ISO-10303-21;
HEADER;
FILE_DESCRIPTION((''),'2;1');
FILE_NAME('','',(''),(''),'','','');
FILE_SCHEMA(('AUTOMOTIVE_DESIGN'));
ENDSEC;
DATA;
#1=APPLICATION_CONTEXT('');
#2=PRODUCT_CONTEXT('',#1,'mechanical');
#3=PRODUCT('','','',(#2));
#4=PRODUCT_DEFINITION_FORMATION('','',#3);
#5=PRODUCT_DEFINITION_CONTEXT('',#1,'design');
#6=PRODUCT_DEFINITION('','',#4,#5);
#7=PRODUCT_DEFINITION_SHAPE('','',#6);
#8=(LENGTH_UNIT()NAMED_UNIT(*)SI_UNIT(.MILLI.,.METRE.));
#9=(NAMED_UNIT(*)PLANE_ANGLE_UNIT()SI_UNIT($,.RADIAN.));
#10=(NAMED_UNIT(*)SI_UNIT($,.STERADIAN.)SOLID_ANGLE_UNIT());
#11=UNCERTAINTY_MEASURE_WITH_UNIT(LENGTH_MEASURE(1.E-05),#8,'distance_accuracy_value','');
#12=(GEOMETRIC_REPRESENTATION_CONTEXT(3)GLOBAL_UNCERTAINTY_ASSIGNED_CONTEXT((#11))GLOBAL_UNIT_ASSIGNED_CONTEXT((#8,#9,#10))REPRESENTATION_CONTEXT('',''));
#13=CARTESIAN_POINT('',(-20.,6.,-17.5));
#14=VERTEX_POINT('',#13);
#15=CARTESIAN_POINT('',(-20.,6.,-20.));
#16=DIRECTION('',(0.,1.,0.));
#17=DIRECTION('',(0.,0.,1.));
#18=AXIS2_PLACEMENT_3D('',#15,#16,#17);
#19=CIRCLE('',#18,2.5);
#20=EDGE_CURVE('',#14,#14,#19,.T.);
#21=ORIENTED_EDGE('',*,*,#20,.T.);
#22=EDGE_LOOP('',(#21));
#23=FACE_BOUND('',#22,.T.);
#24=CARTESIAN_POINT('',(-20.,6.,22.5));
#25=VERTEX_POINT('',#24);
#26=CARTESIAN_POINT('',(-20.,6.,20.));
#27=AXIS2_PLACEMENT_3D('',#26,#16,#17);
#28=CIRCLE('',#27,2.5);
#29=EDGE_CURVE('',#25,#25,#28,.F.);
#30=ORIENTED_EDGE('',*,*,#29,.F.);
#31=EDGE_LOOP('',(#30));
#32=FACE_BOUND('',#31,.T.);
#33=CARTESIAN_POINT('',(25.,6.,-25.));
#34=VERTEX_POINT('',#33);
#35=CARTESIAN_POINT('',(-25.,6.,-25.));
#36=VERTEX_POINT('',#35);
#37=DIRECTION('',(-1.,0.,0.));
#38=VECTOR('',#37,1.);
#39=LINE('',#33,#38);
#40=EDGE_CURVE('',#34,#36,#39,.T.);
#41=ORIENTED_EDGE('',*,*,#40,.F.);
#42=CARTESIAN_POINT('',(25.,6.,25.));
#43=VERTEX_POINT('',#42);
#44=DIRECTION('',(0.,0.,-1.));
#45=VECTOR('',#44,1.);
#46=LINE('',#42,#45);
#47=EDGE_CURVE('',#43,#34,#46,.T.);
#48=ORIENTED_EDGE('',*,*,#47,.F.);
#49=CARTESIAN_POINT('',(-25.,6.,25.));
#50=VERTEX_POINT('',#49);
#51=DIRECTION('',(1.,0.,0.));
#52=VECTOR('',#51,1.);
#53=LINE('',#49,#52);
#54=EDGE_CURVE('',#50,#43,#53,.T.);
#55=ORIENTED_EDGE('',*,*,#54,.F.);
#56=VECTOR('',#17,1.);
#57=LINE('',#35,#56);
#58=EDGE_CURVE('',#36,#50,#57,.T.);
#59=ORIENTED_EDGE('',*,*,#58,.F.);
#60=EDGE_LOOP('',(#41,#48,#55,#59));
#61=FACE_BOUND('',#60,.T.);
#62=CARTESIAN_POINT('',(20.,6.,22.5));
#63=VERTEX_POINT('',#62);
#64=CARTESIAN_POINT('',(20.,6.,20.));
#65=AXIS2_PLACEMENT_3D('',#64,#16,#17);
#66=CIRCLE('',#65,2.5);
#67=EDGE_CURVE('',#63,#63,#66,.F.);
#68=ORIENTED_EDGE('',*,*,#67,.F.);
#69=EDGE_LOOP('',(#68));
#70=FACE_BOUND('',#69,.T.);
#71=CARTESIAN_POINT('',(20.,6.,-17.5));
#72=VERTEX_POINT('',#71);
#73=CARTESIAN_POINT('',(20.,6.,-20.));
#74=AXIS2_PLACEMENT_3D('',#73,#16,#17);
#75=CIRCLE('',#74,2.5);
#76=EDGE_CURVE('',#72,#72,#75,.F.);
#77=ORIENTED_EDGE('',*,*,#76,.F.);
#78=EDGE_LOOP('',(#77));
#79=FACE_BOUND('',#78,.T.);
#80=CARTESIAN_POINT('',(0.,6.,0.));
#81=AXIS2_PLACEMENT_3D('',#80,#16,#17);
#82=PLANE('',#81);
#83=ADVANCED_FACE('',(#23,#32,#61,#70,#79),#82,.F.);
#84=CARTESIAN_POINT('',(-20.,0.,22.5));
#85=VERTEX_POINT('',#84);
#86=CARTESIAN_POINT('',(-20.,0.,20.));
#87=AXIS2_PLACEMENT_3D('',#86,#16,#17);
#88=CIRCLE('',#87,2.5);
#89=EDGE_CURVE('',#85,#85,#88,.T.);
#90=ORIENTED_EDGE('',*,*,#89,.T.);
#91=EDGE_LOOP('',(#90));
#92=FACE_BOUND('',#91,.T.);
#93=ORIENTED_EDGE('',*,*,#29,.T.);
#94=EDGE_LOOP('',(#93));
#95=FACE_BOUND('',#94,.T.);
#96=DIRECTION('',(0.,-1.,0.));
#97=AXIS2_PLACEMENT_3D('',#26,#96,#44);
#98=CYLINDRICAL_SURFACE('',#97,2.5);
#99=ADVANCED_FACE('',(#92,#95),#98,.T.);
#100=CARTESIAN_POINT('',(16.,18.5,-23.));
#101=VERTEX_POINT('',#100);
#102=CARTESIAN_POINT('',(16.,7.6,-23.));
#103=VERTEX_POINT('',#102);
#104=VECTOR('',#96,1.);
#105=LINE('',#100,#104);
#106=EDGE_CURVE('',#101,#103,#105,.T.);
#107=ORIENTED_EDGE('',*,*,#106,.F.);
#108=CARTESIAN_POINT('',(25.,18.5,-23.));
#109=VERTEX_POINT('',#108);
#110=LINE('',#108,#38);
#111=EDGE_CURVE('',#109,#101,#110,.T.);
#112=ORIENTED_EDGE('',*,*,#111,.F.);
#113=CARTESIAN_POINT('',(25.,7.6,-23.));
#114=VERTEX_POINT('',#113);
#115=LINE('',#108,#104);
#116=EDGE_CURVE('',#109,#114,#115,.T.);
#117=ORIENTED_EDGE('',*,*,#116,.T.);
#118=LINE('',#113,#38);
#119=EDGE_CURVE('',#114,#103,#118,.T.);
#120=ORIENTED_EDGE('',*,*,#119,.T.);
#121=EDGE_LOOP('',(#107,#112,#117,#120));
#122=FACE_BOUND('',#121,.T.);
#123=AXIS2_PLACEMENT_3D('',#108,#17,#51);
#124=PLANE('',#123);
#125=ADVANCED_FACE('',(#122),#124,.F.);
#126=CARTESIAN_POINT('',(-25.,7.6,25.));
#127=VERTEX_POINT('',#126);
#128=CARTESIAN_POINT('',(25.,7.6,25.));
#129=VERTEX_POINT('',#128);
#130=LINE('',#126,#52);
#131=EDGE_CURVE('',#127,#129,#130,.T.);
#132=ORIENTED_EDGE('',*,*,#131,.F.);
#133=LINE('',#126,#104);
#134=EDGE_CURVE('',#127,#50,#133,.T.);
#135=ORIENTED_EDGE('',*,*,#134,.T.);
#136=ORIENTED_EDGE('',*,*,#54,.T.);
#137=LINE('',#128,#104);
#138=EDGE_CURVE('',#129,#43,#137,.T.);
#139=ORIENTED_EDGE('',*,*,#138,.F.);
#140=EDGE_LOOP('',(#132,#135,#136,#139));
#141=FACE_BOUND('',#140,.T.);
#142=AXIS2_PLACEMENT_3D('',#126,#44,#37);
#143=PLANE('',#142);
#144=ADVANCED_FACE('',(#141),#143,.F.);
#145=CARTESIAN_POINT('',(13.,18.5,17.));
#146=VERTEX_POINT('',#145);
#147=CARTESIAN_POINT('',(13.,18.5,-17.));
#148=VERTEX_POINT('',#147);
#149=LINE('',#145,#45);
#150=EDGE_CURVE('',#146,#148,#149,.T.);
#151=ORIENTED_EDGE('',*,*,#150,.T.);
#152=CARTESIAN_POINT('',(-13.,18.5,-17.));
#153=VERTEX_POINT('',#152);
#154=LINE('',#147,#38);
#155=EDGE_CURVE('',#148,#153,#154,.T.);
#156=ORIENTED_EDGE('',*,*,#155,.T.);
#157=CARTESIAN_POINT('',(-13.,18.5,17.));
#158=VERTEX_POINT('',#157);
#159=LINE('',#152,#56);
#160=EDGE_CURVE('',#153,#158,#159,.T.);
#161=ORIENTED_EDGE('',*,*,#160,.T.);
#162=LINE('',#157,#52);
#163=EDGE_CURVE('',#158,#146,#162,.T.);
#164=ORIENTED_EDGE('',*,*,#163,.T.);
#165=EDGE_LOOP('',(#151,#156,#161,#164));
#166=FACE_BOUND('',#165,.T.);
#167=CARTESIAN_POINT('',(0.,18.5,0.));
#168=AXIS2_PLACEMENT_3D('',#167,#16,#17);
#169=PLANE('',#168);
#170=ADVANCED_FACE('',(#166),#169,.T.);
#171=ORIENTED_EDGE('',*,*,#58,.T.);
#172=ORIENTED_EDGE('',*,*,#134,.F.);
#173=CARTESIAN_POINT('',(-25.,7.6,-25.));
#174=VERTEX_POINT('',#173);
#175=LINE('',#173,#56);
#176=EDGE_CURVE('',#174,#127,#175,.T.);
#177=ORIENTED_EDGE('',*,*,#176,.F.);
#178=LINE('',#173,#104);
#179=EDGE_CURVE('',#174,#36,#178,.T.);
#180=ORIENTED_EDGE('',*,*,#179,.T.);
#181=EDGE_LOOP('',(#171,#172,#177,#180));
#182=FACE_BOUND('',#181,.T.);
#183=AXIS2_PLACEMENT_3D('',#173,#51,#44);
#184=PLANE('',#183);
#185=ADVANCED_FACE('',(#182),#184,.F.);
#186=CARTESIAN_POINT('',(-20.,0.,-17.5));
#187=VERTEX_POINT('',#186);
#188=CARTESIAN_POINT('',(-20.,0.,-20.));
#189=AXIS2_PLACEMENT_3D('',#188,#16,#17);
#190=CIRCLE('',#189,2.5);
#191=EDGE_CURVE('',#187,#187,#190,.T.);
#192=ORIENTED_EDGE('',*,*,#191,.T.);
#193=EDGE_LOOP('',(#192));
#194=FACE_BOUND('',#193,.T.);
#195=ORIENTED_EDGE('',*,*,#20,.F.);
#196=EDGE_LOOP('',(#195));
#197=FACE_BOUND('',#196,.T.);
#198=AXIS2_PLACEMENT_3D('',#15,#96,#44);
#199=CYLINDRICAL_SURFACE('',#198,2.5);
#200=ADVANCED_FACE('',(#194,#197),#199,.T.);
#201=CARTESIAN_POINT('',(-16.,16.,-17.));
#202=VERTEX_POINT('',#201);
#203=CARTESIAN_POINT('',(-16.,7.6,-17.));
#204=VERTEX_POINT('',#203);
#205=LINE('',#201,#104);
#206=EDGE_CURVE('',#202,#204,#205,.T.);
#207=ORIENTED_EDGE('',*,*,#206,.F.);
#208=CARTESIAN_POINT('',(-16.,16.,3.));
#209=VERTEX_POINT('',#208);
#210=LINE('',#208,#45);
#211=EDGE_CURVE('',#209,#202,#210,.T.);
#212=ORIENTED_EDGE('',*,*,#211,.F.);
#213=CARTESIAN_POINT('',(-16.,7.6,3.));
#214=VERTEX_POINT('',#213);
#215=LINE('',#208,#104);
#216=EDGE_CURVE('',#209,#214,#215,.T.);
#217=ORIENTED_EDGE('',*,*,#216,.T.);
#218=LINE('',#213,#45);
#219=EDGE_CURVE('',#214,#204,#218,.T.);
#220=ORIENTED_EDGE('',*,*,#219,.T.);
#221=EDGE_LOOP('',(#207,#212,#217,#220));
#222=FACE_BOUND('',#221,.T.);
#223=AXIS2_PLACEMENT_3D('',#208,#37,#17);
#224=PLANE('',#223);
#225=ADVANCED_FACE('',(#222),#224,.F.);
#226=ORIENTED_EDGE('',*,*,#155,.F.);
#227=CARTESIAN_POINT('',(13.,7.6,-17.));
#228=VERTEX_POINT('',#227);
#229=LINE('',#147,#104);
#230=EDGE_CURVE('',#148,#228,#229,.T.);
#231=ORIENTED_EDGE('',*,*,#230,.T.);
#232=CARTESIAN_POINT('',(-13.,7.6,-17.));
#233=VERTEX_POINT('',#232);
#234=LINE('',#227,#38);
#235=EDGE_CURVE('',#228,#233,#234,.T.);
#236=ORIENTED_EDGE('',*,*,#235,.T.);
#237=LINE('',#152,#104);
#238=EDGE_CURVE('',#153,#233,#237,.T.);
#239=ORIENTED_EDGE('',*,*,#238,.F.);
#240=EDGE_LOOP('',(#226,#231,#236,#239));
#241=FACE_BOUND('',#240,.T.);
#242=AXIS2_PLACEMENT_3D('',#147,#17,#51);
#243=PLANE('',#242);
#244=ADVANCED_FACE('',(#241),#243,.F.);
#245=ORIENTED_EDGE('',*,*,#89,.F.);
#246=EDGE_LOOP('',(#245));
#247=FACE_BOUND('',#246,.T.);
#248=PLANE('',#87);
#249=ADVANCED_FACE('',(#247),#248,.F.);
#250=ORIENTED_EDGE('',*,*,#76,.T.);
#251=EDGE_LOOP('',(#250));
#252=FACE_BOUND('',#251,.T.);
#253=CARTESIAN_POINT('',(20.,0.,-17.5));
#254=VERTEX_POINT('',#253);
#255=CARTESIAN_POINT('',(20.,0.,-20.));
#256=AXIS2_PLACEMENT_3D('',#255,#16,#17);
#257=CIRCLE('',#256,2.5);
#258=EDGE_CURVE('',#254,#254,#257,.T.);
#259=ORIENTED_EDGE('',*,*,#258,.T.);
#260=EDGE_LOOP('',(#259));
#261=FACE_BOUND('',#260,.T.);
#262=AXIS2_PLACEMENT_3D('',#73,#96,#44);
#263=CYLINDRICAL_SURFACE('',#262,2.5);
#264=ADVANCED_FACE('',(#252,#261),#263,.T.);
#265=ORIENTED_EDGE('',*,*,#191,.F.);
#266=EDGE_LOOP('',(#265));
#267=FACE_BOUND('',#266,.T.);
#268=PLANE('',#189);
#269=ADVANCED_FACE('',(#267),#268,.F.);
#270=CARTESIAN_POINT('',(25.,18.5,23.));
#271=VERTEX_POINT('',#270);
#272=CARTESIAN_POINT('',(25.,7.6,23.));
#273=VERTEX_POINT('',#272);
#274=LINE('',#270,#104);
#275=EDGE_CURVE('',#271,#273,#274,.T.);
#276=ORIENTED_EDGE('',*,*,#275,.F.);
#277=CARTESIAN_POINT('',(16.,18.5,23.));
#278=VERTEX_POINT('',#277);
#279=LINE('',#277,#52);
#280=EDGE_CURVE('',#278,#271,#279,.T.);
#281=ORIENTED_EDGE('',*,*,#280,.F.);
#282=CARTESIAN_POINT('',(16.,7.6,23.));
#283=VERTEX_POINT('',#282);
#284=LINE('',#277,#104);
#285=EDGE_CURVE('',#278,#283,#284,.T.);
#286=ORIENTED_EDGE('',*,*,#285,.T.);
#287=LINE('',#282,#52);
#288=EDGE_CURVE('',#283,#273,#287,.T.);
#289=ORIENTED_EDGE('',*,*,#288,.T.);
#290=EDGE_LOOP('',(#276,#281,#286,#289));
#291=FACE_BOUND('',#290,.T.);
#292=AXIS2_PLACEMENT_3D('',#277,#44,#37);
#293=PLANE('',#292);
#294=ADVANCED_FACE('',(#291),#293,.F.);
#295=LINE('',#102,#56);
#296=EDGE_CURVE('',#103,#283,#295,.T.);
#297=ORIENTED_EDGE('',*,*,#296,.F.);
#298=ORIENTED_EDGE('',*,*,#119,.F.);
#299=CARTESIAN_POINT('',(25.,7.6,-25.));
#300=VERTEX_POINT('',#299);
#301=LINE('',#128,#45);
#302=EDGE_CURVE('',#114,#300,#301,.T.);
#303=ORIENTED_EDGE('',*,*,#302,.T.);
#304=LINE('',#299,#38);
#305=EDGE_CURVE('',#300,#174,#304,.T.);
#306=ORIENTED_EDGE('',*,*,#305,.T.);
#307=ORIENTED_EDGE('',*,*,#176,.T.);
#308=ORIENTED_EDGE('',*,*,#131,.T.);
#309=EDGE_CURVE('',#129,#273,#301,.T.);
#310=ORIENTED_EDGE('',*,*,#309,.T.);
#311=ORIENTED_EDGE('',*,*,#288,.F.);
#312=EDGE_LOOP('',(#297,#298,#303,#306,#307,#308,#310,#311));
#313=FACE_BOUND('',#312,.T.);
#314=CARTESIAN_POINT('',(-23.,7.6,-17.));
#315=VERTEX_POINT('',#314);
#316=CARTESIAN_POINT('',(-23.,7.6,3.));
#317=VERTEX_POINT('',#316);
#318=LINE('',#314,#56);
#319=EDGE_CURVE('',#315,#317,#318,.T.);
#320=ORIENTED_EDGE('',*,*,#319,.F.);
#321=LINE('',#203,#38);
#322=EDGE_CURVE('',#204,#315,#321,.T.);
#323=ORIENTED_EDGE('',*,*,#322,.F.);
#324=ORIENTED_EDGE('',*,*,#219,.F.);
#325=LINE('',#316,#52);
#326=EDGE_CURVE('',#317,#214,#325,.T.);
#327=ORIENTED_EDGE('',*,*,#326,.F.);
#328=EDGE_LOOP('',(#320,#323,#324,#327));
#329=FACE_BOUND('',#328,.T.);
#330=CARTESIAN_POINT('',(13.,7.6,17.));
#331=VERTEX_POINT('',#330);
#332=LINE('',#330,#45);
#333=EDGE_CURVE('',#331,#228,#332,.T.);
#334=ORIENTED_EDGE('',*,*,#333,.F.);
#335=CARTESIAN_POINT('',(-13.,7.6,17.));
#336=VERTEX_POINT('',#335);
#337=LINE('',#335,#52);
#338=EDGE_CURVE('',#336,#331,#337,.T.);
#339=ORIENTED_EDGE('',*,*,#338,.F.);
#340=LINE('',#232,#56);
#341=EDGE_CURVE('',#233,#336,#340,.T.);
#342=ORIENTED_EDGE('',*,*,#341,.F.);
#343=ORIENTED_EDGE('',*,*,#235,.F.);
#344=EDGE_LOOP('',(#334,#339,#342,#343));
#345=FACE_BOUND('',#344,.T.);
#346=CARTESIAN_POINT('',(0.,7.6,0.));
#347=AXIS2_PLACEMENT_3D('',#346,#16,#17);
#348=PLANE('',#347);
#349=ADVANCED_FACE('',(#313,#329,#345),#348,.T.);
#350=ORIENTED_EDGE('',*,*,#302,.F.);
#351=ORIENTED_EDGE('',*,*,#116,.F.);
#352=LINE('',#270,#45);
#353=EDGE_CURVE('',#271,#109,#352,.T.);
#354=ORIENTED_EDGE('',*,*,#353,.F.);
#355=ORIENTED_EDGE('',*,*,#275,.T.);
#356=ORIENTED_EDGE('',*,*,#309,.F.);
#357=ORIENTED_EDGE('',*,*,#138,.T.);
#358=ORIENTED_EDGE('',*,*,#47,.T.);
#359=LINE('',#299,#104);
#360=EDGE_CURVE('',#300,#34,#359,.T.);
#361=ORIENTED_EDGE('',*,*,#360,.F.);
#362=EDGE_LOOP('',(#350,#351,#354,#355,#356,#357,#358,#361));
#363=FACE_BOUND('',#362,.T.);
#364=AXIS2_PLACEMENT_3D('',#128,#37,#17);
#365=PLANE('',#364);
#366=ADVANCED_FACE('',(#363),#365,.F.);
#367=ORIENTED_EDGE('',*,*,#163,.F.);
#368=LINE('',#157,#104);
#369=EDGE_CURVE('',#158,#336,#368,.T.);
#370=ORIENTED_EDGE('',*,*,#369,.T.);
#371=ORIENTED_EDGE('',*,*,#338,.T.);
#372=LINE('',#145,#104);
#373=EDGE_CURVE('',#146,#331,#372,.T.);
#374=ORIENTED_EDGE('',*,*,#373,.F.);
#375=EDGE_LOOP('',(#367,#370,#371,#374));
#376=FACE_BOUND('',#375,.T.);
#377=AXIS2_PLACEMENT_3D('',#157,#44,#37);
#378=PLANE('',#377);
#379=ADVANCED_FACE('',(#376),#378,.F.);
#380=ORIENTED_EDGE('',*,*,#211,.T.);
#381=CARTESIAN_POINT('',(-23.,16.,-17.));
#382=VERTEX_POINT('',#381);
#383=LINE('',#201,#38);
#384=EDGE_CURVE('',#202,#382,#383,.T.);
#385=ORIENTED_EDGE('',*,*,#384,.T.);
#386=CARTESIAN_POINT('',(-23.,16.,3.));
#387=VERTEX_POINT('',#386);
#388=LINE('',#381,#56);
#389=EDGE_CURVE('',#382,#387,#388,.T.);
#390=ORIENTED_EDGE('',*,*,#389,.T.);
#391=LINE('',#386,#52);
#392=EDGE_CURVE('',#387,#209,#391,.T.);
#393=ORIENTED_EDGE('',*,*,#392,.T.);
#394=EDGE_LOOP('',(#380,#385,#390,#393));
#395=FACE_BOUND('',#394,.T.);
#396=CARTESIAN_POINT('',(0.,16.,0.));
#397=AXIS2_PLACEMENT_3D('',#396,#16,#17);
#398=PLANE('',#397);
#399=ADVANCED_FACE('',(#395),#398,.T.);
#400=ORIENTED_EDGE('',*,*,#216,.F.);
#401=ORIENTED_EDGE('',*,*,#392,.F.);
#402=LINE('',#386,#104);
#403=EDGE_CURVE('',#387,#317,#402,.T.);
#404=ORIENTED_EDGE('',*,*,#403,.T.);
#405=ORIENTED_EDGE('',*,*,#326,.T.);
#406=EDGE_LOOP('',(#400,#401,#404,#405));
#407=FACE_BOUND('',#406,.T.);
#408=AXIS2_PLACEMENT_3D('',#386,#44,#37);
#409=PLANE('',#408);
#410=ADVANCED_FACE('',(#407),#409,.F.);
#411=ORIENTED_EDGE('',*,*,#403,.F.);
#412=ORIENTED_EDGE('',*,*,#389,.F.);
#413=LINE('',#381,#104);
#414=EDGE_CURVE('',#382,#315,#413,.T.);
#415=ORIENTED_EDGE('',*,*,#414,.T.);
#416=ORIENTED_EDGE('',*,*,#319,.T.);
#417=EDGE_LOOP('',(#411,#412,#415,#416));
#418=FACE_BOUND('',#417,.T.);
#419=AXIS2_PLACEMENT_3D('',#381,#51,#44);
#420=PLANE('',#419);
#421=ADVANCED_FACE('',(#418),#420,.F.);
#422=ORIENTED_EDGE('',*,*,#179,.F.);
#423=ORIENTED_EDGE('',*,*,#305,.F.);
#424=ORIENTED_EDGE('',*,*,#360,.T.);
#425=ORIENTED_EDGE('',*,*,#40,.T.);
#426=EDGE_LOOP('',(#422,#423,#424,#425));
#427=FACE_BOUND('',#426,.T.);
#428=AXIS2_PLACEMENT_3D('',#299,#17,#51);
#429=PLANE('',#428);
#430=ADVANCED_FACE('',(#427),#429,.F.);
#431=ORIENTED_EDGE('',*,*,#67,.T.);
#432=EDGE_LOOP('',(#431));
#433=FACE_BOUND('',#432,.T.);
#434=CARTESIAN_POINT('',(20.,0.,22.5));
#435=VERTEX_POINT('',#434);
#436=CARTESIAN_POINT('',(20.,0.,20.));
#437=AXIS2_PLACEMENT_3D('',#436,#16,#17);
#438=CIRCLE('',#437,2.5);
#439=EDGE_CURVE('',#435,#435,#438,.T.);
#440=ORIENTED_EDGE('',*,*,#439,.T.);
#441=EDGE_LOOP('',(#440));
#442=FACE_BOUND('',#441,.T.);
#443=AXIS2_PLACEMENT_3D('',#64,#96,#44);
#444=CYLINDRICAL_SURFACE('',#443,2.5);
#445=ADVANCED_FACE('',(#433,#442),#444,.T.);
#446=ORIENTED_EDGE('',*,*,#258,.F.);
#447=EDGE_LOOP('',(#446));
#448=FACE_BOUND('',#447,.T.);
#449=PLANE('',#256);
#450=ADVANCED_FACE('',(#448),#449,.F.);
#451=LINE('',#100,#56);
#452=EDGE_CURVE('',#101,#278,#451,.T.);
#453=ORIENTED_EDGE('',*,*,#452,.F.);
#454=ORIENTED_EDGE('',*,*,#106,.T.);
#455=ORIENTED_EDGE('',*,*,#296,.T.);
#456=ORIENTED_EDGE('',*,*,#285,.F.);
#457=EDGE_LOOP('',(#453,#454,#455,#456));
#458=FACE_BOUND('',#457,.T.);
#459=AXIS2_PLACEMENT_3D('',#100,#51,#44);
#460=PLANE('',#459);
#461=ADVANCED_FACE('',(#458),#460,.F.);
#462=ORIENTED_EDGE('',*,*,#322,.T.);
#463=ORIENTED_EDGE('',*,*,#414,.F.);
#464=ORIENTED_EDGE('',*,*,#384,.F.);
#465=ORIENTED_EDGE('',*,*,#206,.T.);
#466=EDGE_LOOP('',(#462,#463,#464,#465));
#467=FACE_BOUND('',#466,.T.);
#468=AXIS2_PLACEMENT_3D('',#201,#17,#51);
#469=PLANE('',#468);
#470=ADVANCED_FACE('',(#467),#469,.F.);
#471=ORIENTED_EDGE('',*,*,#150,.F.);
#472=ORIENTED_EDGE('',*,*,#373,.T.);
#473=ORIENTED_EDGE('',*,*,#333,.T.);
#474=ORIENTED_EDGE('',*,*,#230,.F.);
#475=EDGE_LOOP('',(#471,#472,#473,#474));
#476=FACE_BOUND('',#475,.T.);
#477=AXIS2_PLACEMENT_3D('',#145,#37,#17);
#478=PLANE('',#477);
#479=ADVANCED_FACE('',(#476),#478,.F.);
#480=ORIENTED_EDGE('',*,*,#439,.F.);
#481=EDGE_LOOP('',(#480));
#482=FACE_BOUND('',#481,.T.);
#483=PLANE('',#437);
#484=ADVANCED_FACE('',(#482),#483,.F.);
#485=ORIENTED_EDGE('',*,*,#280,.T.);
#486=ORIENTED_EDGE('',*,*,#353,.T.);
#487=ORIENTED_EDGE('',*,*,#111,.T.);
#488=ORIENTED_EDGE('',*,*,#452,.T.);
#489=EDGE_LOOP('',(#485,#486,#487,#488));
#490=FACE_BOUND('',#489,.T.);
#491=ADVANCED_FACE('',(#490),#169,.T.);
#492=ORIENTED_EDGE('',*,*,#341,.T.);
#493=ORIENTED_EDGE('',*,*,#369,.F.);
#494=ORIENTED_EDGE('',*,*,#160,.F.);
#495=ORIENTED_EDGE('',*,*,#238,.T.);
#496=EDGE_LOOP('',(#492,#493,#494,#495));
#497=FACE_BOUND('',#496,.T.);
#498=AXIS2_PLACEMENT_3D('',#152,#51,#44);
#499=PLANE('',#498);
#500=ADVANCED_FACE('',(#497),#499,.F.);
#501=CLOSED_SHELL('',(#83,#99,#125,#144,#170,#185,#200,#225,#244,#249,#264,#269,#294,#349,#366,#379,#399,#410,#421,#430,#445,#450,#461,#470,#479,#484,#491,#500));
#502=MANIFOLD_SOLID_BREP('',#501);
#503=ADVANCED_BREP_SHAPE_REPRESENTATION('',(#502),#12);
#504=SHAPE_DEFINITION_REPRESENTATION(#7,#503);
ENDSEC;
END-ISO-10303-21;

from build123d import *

# Parameters (mm, degrees)
SK_P01_STANDOFF_R                  = 2.5
P01_STANDOFF_DEPTH                 = 6
SK_P02_STANDOFF_R                  = 2.5
P02_STANDOFF_DEPTH                 = 6
SK_P03_STANDOFF_R                  = 2.5
P03_STANDOFF_DEPTH                 = 6
SK_P04_STANDOFF_R                  = 2.5
P04_STANDOFF_DEPTH                 = 6
P05_DFR0601BOARD50X50_START        = 6
SK_P05_DFR0601BOARD50X50_W         = 50
SK_P05_DFR0601BOARD50X50_H         = 50
P05_DFR0601BOARD50X50_DEPTH        = 1.6
P06_MOSFETSANDHEATSINK_START       = 7.6
SK_P06_MOSFETSANDHEATSINK_W        = 26
SK_P06_MOSFETSANDHEATSINK_H        = 34
P06_MOSFETSANDHEATSINK_DEPTH       = 10.9
P07_POWERANDMOTORTERMINALSWI_START = 7.6
SK_P07_POWERANDMOTORTERMINALSWI_W  = 9
SK_P07_POWERANDMOTORTERMINALSWI_H  = 46
P07_POWERANDMOTORTERMINALSWI_DEPTH = 10.9
P08_CONTROLHEADER_START            = 7.6
SK_P08_CONTROLHEADER_W             = 7
SK_P08_CONTROLHEADER_H             = 20
P08_CONTROLHEADER_DEPTH            = 8.4


with BuildPart() as part:
    # SK_P01_Standoff → P01_Standoff (new body)
    with BuildSketch(Plane(origin=(0, 0, 0), x_dir=(1, 0, 0), z_dir=(0, 1, 0))):
        with Locations(Location((-20, 20, 0), (0, 0, 270))):
            Circle(SK_P01_STANDOFF_R)
    extrude(amount=P01_STANDOFF_DEPTH)



with BuildPart() as body_2:
    # SK_P02_Standoff → P02_Standoff (new body)
    with BuildSketch(Plane(origin=(0, 0, 0), x_dir=(1, 0, 0), z_dir=(0, 1, 0))):
        with Locations(Location((20, 20, 0), (0, 0, 270))):
            Circle(SK_P02_STANDOFF_R)
    extrude(amount=P02_STANDOFF_DEPTH)


with BuildPart() as body_3:
    # SK_P03_Standoff → P03_Standoff (new body)
    with BuildSketch(Plane(origin=(0, 0, 0), x_dir=(1, 0, 0), z_dir=(0, 1, 0))):
        with Locations(Location((-20, -20, 0), (0, 0, 270))):
            Circle(SK_P03_STANDOFF_R)
    extrude(amount=P03_STANDOFF_DEPTH)


with BuildPart() as body_4:
    # SK_P04_Standoff → P04_Standoff (new body)
    with BuildSketch(Plane(origin=(0, 0, 0), x_dir=(1, 0, 0), z_dir=(0, 1, 0))):
        with Locations(Location((20, -20, 0), (0, 0, 270))):
            Circle(SK_P04_STANDOFF_R)
    extrude(amount=P04_STANDOFF_DEPTH)


with BuildPart() as part_1:
    add(part.part)

    add(body_2.part)  # P05_DFR0601board50x50 merges body 2

    add(body_3.part)  # P05_DFR0601board50x50 merges body 3

    add(body_4.part)  # P05_DFR0601board50x50 merges body 4
    # SK_P05_DFR0601board50x50 → P05_DFR0601board50x50 (add)
    with BuildSketch(Plane(origin=(0, 0, 0), x_dir=(1, 0, 0), z_dir=(0, 1, 0)).offset(P05_DFR0601BOARD50X50_START)):
        Rectangle(SK_P05_DFR0601BOARD50X50_W, SK_P05_DFR0601BOARD50X50_H)
    extrude(amount=P05_DFR0601BOARD50X50_DEPTH)

    # SK_P06_MOSFETsandheatsink → P06_MOSFETsandheatsink (add)
    with BuildSketch(Plane(origin=(0, 0, 0), x_dir=(1, 0, 0), z_dir=(0, 1, 0)).offset(P06_MOSFETSANDHEATSINK_START)):
        Rectangle(SK_P06_MOSFETSANDHEATSINK_W, SK_P06_MOSFETSANDHEATSINK_H)
    extrude(amount=P06_MOSFETSANDHEATSINK_DEPTH)

    # SK_P07_Powerandmotorterminalswi → P07_Powerandmotorterminalswi (add)
    with BuildSketch(Plane(origin=(0, 0, 0), x_dir=(1, 0, 0), z_dir=(0, 1, 0)).offset(P07_POWERANDMOTORTERMINALSWI_START)):
        with Locations((20.5, 0)):
            Rectangle(SK_P07_POWERANDMOTORTERMINALSWI_W, SK_P07_POWERANDMOTORTERMINALSWI_H)
    extrude(amount=P07_POWERANDMOTORTERMINALSWI_DEPTH)

    # SK_P08_Controlheader → P08_Controlheader (add)
    with BuildSketch(Plane(origin=(0, 0, 0), x_dir=(1, 0, 0), z_dir=(0, 1, 0)).offset(P08_CONTROLHEADER_START)):
        with Locations((-19.5, 7)):
            Rectangle(SK_P08_CONTROLHEADER_W, SK_P08_CONTROLHEADER_H)
    extrude(amount=P08_CONTROLHEADER_DEPTH)


solid = part_1.part
